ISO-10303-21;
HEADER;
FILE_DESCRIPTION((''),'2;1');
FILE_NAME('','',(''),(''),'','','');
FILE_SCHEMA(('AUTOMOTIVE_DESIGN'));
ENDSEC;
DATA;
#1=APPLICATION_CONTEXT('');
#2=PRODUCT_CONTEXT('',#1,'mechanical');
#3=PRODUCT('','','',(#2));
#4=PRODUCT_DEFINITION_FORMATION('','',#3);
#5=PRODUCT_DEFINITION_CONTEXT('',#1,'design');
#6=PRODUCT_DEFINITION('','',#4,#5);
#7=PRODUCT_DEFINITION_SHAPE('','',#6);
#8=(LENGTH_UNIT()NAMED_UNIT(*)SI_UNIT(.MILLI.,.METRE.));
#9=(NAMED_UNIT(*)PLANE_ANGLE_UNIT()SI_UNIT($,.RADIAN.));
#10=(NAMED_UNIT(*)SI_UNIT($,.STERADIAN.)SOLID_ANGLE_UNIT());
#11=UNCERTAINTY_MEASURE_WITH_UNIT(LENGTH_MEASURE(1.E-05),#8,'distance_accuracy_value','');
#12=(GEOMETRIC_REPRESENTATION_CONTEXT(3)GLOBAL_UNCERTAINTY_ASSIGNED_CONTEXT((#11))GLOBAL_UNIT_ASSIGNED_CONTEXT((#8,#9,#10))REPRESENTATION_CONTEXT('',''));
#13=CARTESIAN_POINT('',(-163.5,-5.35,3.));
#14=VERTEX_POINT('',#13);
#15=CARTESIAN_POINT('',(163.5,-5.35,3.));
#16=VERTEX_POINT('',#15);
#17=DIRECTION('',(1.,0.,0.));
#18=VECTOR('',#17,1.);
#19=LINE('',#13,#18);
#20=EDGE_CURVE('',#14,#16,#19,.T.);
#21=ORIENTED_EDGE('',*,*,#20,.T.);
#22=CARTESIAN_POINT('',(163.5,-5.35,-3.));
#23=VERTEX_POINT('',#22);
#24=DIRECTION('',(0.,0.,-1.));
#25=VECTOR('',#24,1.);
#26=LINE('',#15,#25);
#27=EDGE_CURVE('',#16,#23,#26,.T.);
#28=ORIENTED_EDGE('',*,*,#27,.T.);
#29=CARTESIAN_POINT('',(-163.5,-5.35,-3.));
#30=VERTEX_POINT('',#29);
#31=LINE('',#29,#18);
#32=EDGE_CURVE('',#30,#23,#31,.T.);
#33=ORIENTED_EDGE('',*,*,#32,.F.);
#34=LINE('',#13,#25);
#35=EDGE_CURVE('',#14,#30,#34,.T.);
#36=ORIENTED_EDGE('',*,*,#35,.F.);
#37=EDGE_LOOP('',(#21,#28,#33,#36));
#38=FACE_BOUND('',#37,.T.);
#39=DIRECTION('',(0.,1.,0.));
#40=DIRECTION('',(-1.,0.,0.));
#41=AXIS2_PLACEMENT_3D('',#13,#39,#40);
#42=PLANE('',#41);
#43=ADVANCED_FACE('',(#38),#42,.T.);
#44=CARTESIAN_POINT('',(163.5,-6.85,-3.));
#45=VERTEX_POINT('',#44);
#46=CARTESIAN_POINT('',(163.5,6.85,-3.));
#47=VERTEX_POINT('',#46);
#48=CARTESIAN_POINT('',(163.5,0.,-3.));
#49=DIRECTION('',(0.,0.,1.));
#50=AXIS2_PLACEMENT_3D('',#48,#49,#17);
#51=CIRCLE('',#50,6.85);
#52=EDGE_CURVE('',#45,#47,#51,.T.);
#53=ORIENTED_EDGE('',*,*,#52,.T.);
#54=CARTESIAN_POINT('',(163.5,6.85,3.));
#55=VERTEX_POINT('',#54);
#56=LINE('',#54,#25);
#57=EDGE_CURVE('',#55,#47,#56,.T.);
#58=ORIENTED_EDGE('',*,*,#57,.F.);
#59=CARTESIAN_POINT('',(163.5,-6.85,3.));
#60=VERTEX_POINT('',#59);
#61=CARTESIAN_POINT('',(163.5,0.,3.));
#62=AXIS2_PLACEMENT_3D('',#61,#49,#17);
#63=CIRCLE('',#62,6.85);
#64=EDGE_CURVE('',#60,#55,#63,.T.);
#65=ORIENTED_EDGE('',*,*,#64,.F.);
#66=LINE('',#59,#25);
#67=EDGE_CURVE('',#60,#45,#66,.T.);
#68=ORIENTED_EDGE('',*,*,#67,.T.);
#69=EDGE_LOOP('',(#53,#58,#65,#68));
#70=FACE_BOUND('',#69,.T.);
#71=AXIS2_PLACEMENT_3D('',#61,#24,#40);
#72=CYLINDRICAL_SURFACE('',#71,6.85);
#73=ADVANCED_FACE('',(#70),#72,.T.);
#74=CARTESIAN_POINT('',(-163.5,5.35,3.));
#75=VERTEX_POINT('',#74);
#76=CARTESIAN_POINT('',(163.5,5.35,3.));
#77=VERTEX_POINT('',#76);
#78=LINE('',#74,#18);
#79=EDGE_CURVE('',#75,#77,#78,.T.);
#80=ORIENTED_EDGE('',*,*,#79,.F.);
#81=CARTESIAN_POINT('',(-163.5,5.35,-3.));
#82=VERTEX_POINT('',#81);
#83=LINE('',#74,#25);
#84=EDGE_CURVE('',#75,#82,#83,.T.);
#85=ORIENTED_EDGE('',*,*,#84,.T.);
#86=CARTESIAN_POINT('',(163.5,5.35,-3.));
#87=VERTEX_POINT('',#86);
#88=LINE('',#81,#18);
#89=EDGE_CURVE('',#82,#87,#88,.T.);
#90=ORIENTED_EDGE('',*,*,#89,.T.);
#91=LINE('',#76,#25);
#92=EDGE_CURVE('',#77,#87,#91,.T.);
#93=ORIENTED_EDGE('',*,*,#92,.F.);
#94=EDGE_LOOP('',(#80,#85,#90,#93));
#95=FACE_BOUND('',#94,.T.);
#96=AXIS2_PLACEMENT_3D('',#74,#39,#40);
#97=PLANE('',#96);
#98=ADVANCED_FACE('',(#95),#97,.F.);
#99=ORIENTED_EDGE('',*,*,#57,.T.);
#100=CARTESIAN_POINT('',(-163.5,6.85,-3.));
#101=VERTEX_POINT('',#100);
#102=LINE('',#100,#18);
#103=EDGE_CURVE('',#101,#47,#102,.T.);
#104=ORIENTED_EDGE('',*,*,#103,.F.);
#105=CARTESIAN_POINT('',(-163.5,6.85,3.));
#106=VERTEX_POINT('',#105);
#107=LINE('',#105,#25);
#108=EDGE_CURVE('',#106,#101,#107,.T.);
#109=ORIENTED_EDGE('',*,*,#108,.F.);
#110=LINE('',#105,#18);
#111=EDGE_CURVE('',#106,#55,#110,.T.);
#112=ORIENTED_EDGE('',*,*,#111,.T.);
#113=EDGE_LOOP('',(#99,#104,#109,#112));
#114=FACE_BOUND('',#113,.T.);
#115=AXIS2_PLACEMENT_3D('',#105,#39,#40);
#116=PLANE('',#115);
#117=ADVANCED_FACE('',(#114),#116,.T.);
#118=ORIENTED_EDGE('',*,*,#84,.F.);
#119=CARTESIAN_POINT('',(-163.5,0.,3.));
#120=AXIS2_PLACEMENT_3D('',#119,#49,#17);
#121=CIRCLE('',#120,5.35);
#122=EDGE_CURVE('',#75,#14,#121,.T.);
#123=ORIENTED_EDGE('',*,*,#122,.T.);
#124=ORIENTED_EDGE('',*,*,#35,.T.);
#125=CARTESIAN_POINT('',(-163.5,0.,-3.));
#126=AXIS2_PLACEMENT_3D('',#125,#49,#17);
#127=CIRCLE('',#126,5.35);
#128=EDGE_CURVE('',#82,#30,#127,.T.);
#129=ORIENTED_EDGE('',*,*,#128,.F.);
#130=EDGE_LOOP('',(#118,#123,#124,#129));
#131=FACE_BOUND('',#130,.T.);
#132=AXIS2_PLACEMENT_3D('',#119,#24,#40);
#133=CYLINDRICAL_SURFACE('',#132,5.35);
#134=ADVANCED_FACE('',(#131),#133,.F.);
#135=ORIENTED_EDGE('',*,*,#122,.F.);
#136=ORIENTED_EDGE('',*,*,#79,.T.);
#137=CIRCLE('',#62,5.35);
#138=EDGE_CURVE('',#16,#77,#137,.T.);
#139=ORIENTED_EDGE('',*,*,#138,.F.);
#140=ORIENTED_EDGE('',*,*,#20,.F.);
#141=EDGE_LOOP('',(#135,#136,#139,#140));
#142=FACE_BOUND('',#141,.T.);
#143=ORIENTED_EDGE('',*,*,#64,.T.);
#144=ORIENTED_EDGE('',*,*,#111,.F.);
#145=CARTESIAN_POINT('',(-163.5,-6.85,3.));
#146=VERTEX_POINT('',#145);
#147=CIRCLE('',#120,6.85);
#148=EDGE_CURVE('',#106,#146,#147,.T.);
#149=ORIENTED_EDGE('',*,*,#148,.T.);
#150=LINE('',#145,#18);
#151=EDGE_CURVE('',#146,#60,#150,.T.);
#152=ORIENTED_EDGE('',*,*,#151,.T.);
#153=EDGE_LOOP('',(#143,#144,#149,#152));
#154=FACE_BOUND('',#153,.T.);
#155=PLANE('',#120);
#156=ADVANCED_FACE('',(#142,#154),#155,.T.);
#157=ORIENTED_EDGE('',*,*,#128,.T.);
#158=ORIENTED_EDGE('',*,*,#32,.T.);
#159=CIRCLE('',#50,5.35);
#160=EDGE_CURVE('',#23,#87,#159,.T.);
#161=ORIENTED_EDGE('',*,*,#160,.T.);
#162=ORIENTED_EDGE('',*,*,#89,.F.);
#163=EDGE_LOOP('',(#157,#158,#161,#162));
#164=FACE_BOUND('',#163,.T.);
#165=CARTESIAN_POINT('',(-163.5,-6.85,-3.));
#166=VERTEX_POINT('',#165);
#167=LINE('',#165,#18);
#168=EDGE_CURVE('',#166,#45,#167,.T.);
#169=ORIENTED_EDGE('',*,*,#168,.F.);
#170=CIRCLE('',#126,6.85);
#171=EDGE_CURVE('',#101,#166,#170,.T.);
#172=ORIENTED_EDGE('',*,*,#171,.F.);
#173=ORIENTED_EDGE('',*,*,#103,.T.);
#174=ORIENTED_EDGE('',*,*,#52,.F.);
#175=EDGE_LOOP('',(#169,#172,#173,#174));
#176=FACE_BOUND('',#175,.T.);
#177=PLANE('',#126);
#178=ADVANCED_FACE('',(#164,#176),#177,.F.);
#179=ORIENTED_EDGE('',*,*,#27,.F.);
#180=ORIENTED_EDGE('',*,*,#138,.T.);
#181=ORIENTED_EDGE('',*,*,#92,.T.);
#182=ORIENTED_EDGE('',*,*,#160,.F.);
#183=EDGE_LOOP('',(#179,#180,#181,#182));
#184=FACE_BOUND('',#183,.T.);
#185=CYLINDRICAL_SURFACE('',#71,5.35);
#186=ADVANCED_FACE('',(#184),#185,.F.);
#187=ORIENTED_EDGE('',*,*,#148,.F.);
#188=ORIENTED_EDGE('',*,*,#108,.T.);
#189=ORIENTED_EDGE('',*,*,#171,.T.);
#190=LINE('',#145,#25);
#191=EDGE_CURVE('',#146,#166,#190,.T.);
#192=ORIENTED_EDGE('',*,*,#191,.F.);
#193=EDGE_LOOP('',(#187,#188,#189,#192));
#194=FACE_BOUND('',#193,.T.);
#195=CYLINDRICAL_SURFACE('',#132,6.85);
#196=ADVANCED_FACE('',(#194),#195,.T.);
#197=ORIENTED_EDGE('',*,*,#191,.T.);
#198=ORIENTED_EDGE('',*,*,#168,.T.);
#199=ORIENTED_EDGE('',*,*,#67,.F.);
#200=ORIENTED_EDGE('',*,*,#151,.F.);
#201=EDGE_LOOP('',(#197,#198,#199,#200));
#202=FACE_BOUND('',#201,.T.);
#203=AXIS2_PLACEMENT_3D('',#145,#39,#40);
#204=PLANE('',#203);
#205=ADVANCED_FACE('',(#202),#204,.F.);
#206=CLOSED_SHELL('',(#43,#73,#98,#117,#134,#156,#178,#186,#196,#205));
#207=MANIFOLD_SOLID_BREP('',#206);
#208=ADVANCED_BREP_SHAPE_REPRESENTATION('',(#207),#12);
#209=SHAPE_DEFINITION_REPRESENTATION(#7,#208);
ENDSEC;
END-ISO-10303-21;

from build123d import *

# Parameters (mm, degrees)
EXTRUDE_THIN1_DEPTH = 3


with BuildPart() as part:
    # Sketch1 → Extrude-Thin1 (new, symmetric)
    with BuildSketch(Plane.XY):
        with BuildLine():
            Line((163.5, -6.85), (-163.5, -6.85))
            ThreePointArc((-163.5, -6.85), (-170.35, 0), (-163.5, 6.85))
            Line((-163.5, 6.85), (163.5, 6.85))
            ThreePointArc((163.5, 6.85), (170.35, 0), (163.5, -6.85))
        make_face()
        with BuildLine():
            Line((163.5, -5.35), (-163.5, -5.35))
            ThreePointArc((-163.5, -5.35), (-168.85, 0), (-163.5, 5.35))
            Line((-163.5, 5.35), (163.5, 5.35))
            ThreePointArc((163.5, 5.35), (168.85, 0), (163.5, -5.35))
        make_face(mode=Mode.SUBTRACT)
    extrude(amount=EXTRUDE_THIN1_DEPTH, both=True)


solid = part.part
